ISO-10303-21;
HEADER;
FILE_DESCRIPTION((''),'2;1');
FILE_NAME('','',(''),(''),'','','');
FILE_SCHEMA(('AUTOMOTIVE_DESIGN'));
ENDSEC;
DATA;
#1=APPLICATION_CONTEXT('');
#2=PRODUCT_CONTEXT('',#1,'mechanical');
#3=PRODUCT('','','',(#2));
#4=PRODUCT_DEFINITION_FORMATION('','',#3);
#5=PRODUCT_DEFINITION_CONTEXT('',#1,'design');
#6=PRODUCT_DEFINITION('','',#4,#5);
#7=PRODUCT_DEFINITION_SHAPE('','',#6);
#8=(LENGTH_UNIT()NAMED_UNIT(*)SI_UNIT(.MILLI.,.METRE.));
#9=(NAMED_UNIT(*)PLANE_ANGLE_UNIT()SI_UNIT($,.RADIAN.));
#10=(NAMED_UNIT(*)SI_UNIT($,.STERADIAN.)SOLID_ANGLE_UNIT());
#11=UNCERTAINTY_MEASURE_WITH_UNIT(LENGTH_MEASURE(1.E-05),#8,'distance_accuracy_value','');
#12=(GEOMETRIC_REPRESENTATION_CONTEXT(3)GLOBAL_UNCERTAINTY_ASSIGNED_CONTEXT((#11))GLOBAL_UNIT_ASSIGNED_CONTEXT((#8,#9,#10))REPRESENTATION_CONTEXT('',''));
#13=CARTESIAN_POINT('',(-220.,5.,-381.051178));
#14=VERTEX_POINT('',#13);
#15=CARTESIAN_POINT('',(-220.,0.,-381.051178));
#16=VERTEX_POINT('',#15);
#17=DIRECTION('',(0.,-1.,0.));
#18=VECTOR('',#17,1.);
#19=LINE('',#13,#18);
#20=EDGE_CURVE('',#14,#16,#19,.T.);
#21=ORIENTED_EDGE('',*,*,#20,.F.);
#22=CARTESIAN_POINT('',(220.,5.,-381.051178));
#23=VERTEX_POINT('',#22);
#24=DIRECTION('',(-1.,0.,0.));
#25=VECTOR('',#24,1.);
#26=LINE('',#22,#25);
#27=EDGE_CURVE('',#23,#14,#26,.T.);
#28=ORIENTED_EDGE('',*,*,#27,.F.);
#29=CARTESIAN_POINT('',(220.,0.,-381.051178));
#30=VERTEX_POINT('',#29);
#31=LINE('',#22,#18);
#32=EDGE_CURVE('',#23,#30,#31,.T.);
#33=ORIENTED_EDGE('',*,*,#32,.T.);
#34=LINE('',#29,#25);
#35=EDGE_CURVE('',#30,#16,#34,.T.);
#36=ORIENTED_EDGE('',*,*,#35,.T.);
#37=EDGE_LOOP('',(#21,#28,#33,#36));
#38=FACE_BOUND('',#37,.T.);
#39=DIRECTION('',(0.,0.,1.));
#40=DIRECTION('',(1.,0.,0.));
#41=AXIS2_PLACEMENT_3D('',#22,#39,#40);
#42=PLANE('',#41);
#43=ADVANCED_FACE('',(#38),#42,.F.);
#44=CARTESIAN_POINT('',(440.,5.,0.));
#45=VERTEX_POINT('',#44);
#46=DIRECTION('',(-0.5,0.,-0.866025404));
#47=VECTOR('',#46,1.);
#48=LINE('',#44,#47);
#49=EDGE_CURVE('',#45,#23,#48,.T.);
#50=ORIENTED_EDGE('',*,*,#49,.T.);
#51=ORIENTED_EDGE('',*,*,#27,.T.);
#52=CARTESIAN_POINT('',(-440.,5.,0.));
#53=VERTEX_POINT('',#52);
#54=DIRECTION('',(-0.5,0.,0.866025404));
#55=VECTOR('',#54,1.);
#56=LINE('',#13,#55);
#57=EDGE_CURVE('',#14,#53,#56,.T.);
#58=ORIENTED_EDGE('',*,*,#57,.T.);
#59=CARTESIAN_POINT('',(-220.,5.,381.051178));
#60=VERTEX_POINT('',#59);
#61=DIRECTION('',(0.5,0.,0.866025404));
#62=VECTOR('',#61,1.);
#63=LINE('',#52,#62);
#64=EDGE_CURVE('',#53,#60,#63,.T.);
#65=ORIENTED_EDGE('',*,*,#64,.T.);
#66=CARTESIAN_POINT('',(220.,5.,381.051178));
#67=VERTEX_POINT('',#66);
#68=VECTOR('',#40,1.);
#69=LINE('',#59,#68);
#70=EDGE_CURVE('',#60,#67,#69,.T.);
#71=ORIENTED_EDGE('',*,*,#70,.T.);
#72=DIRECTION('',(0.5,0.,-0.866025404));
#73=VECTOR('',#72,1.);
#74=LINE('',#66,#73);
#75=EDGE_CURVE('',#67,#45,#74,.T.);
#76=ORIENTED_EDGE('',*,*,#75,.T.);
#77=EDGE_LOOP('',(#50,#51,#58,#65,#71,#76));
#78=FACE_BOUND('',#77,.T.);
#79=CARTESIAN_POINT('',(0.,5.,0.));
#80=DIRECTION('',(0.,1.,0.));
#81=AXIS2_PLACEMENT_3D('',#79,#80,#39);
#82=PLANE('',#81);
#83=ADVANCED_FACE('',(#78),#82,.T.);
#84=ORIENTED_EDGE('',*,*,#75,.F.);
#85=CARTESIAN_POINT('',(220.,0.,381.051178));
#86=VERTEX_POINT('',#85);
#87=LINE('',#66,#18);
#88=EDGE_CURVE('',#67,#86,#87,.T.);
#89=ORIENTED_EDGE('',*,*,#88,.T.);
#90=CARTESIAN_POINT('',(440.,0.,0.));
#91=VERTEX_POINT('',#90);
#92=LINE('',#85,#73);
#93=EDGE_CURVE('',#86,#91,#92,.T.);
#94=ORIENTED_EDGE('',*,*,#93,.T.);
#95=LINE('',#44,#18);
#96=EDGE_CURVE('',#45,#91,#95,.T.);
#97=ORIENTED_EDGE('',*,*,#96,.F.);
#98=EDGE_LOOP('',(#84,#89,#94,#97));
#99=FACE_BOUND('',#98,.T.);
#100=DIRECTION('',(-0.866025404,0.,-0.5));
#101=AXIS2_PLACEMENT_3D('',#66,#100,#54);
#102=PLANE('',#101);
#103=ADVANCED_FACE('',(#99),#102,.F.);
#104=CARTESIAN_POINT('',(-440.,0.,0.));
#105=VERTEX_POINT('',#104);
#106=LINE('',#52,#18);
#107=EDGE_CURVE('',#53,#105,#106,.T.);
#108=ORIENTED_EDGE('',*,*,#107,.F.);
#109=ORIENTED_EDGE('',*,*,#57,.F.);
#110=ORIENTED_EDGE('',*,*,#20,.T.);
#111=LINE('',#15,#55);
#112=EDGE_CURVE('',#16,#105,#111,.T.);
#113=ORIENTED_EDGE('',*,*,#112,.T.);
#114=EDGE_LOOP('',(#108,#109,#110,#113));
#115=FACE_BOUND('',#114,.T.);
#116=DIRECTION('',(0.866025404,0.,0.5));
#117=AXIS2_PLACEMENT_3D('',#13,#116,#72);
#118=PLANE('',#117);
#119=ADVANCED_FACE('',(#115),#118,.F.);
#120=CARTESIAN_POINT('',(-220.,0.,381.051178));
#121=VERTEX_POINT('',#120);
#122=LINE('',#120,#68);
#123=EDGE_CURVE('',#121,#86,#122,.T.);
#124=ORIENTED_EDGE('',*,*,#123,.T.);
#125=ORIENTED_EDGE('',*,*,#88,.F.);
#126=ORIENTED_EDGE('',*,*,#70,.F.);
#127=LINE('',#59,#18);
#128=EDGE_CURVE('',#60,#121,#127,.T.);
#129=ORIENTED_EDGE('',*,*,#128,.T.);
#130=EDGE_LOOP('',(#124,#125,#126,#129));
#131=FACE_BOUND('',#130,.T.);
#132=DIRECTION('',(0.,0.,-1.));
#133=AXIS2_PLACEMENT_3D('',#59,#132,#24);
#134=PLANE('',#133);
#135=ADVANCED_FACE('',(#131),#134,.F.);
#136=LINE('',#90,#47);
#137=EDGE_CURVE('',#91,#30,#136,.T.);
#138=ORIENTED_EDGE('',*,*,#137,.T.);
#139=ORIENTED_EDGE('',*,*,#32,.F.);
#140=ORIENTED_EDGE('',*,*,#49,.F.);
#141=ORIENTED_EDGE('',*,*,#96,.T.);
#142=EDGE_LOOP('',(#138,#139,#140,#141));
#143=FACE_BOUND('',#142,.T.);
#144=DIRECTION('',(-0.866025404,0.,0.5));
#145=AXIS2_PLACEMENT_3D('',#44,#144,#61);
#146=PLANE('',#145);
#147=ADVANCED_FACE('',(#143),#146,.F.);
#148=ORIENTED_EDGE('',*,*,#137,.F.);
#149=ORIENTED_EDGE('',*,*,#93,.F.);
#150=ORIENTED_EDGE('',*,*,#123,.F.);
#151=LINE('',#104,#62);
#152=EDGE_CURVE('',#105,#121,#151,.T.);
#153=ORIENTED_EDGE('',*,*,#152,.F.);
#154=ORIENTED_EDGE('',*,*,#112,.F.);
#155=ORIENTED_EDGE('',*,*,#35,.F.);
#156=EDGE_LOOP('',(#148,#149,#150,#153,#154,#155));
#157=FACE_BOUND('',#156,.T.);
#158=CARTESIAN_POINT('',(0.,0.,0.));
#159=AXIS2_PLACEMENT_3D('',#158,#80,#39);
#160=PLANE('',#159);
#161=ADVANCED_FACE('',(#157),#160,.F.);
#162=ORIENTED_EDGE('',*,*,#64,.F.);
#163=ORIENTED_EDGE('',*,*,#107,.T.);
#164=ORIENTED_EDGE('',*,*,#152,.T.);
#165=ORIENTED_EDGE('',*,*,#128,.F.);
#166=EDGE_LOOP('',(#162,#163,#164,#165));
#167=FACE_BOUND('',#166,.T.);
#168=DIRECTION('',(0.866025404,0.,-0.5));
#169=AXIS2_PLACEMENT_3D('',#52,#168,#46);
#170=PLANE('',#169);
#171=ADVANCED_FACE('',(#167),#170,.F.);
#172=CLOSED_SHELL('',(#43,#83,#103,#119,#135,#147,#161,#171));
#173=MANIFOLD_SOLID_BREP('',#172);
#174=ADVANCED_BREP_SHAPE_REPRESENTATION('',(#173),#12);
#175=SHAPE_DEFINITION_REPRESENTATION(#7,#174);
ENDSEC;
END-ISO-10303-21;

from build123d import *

# Parameters (mm, degrees)
BOSS_EXTRU_1_DEPTH = 5


with BuildPart() as part:
    # Esquisse1 → Boss.-Extru.1 (new body)
    with BuildSketch(Plane(origin=(0, 0, 0), x_dir=(1, 0, 0), z_dir=(0, 1, 0))):
        Polygon((220, 381.051177665), (-220, 381.051177665), (-440, 0), (-220, -381.051177665), (220, -381.051177665), (440, 0), align=None)
    extrude(amount=BOSS_EXTRU_1_DEPTH)


solid = part.part
